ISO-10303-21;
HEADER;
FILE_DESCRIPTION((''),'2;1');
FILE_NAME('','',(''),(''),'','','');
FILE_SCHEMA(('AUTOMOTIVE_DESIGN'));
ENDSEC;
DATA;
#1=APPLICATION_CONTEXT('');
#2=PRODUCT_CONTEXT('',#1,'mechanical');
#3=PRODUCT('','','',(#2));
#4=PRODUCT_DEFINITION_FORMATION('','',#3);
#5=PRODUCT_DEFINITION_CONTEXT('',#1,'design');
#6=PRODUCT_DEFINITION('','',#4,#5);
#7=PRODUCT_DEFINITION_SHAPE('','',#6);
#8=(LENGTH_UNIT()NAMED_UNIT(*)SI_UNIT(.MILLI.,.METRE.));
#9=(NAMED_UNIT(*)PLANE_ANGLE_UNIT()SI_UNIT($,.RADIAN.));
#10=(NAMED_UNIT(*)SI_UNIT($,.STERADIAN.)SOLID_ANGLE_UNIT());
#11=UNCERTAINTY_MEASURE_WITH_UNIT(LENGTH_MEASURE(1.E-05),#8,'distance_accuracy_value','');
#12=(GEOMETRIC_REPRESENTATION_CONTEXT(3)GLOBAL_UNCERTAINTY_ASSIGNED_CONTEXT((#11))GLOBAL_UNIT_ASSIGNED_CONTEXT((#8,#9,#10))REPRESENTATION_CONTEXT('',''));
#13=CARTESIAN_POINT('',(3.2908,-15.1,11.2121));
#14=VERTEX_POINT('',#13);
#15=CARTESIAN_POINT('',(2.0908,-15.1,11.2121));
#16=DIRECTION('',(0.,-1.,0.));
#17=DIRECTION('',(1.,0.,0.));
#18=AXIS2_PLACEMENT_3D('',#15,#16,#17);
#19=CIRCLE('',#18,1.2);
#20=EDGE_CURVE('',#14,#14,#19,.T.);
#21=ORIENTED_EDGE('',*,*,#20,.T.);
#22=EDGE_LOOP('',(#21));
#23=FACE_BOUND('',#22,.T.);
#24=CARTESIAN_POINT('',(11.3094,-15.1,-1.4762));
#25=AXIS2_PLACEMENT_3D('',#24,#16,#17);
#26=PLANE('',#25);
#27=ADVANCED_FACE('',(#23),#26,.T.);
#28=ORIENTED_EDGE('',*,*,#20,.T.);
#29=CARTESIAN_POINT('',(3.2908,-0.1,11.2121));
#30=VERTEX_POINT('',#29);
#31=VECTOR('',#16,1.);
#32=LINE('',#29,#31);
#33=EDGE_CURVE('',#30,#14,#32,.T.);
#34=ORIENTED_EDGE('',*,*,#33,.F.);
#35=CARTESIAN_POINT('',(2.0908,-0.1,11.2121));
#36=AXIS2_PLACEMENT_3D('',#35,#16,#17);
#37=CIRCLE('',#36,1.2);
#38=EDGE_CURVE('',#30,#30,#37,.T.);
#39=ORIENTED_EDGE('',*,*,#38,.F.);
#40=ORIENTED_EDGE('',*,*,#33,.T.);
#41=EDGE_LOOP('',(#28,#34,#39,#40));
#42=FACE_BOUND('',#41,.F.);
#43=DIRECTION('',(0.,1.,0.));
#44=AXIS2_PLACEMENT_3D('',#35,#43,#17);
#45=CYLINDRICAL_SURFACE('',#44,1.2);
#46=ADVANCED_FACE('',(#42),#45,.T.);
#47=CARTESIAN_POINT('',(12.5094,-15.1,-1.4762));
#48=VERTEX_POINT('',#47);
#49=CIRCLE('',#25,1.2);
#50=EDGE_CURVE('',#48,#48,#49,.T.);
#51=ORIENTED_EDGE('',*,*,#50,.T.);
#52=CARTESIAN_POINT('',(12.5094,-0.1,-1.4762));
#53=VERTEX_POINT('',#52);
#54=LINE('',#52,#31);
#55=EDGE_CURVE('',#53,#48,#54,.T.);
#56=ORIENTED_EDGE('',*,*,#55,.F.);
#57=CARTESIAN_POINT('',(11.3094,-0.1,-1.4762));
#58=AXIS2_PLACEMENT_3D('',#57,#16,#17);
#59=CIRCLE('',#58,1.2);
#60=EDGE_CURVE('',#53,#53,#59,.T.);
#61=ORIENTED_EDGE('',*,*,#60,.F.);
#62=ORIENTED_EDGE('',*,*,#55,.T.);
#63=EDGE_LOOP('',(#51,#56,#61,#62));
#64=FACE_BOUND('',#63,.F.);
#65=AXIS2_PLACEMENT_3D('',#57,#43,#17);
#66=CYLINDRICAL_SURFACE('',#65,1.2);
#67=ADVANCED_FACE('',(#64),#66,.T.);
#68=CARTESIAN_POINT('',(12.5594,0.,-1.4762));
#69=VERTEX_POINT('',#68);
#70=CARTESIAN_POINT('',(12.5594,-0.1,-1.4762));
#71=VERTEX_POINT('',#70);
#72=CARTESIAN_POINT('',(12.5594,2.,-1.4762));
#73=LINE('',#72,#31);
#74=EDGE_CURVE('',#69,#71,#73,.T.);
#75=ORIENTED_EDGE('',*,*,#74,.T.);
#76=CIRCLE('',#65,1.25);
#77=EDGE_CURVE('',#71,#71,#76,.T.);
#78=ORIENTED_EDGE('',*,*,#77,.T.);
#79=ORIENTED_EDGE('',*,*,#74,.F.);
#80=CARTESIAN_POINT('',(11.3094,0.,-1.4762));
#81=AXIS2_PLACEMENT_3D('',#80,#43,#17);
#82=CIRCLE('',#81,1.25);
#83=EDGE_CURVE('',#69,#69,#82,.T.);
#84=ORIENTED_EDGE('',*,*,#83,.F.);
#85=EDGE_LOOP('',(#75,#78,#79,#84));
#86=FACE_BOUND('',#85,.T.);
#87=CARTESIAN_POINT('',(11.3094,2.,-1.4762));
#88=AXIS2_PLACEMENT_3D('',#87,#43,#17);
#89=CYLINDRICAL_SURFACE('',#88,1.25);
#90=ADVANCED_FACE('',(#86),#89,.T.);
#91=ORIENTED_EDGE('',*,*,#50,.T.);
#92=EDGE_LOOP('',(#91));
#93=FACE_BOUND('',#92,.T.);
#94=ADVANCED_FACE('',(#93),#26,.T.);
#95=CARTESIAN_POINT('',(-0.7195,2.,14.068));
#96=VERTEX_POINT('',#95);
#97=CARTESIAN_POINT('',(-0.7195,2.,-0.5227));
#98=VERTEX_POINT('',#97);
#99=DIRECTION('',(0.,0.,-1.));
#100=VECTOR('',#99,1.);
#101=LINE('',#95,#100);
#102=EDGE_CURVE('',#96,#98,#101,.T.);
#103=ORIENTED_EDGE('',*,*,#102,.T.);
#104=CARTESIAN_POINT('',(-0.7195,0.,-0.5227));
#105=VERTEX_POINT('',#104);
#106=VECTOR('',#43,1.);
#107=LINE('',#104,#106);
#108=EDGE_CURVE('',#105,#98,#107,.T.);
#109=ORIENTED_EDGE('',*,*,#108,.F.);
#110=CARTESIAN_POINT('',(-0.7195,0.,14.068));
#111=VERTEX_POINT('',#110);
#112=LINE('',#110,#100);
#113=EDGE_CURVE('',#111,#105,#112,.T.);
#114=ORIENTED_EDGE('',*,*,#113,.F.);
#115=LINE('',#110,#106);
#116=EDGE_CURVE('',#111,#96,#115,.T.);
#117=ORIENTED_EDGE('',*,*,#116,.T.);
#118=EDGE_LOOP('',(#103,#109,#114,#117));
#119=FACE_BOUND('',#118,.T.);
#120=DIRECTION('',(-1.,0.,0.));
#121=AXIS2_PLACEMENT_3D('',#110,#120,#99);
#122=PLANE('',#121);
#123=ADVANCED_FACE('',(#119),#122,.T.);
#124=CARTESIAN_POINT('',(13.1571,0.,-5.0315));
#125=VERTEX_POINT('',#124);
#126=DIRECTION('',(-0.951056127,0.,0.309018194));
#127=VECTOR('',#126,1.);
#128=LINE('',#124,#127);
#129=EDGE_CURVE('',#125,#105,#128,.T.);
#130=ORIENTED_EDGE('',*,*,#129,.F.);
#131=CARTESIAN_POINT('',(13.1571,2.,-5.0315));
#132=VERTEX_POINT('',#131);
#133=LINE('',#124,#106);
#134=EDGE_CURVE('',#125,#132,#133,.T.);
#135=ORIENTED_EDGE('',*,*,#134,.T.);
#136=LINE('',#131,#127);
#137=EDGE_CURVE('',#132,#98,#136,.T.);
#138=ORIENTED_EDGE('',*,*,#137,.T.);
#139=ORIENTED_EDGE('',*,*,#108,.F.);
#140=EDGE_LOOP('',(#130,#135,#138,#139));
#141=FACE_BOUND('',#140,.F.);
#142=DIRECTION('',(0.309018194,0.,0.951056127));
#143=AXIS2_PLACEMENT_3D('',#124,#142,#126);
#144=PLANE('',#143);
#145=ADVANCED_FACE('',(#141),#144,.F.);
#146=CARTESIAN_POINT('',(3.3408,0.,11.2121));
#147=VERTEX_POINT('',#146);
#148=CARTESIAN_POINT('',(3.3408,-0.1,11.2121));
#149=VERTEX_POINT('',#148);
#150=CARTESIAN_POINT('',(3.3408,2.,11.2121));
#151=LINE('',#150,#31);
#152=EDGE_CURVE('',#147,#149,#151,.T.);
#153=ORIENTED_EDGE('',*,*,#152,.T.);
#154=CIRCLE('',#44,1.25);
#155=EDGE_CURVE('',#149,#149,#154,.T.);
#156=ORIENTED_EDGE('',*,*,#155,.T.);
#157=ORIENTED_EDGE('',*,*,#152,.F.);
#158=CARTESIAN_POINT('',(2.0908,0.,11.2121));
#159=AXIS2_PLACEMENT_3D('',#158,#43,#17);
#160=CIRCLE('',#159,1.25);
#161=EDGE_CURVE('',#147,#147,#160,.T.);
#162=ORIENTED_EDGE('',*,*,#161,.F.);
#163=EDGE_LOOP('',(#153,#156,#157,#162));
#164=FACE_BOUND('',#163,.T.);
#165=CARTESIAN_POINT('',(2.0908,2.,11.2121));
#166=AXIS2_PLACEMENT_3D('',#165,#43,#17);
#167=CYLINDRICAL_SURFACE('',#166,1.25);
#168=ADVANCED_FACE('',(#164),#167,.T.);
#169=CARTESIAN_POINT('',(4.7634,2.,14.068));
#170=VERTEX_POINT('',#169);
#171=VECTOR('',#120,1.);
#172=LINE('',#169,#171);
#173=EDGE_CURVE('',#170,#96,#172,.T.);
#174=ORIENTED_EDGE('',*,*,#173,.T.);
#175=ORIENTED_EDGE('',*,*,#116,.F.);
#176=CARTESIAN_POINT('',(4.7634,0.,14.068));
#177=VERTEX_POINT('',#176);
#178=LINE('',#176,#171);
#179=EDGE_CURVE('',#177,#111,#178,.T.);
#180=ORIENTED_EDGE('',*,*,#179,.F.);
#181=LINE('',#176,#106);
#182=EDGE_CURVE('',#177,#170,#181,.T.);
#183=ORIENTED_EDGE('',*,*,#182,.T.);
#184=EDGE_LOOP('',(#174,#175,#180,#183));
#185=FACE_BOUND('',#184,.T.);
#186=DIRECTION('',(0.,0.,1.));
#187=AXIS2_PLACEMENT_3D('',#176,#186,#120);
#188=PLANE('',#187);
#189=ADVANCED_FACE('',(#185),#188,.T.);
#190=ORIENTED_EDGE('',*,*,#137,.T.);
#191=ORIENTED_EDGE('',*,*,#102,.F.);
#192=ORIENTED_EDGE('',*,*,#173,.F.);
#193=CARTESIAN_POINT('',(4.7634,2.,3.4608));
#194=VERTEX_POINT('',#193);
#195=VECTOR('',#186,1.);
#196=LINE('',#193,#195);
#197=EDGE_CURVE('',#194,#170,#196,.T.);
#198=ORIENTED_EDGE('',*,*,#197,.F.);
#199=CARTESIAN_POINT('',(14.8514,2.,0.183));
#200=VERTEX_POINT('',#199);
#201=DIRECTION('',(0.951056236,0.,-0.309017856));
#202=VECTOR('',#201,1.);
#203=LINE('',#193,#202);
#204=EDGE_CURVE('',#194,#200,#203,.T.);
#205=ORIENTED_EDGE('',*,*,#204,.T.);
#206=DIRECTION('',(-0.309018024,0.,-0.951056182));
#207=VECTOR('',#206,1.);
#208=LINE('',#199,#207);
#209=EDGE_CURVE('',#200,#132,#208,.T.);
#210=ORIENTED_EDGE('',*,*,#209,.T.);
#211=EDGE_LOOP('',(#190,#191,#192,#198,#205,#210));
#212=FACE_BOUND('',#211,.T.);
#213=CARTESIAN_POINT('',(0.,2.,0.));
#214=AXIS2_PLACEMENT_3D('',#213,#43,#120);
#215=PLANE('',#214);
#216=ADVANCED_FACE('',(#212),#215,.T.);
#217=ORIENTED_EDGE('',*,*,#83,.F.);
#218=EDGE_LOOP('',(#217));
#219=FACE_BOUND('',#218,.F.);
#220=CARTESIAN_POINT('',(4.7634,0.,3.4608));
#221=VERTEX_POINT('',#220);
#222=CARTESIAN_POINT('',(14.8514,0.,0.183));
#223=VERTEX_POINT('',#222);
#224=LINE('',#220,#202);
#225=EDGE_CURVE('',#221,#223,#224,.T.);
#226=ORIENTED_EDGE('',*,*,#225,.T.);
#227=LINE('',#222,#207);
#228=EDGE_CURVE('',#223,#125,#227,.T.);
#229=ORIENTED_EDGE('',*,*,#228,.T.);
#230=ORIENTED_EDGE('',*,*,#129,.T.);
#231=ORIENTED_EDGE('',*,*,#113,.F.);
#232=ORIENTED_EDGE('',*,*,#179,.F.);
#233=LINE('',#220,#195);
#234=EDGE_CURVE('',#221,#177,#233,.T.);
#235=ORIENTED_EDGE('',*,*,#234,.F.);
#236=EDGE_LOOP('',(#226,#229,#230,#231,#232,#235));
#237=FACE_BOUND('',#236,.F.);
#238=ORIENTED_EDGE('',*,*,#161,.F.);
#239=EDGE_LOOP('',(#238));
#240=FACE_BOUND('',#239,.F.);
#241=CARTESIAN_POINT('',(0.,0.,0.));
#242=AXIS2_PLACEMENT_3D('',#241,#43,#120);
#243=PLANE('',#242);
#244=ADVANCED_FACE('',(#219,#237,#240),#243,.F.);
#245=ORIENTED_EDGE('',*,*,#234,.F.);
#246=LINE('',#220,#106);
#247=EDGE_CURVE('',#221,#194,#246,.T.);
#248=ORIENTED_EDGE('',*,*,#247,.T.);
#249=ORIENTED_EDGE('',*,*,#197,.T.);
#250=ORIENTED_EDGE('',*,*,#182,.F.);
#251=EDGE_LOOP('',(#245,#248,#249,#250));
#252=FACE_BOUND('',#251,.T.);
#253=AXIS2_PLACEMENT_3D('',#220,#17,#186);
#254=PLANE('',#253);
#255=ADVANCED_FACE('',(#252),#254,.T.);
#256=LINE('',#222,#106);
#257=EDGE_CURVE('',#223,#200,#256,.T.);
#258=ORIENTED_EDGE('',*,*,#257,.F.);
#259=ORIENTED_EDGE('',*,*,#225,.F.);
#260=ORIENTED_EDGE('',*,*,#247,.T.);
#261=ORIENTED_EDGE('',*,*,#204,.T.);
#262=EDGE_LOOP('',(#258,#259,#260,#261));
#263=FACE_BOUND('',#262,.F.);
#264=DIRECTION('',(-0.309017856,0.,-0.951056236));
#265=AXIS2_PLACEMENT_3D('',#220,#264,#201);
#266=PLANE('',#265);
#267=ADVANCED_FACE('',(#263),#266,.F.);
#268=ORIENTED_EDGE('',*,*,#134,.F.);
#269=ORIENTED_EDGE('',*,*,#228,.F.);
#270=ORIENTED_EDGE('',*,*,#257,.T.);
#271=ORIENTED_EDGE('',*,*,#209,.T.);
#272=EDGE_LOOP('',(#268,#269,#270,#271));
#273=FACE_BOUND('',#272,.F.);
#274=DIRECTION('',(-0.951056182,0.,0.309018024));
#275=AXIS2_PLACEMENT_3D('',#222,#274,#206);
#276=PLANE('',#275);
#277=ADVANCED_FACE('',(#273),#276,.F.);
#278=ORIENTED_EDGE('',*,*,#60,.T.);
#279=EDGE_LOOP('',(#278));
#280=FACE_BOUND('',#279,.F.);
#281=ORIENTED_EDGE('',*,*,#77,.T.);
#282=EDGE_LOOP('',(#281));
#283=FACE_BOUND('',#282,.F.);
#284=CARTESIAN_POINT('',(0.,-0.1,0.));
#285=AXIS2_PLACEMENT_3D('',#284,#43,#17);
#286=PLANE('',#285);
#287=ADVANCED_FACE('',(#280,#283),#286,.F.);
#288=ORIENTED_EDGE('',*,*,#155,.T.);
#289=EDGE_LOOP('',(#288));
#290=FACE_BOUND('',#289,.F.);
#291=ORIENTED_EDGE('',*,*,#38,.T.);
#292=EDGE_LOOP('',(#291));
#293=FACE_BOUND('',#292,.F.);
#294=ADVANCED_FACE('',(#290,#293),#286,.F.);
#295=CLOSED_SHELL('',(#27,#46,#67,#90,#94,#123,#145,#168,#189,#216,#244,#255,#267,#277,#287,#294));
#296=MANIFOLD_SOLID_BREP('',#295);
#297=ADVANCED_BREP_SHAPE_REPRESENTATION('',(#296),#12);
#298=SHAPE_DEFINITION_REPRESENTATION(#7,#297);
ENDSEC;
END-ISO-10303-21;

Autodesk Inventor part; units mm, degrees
ref_plane "YZ Plane" through (0, 0, 0) normal (1, 0, 0) x (0, 1, 0)
ref_plane "XZ Plane" through (0, 0, 0) normal (0, 1, 0) x (-1, 0, 0)
ref_plane "XY Plane" through (0, 0, 0) normal (0, 0, 1) x (1, 0, 0)
sketch "草图1" plane through (0, 0, 0) normal (0, 1, 0) x (-1, 0, 0)
  circle A0 centre (-2.0908, 11.2121) radius 1.25
  line L0 (-5.7974, 4.2121) -> (1.6092, -1.1691) construction
  circle A1 centre (-11.3094, -1.4762) radius 1.25
  line L1 (0.7195, 14.068) -> (0.7195, -0.5227)
  line L2 (-4.7634, 3.4608) -> (-4.7634, 14.068)
  line L3 (-4.7634, 14.068) -> (0.7195, 14.068)
  line L4 (-13.1571, -5.0315) -> (0.7195, -0.5227)
  line L5 (-4.7634, 3.4608) -> (-14.8514, 0.183)
  line L6 (-14.8514, 0.183) -> (-13.1571, -5.0315)
  dimension "d12" = 2.5
extrude "拉伸1" add sketch "草图1" along normal blind 2
sketch "草图2" plane through (0, 2, 0) normal (0, 1, 0) x (1, 0, 0)
  circle A0 centre (11.3094, 1.4762) radius 1.25 projected
  circle A1 centre (2.0908, -11.2121) radius 1.25 projected
extrude "拉伸2" add sketch "草图2" against normal blind 2.1
sketch "草图3" plane through (11.3094, -0.1, -1.4762) normal (0, -1, 0) x (1, 0, 0)
  circle A0 centre (-9.2186, 12.6883) radius 1.25 projected
  circle A1 centre (0, 0) radius 1.25 projected
  circle A2 centre (-9.2186, 12.6883) radius 1.2
  circle A3 centre (0, 0) radius 1.2
  point P0 (-11.3094, 1.4762)
  dimension "d13" = 2.4
  dimension "d14" = 2.4
extrude "拉伸3" add sketch "草图3" along normal blind 15 contours A2 | A3
properties part number "鸦片"
